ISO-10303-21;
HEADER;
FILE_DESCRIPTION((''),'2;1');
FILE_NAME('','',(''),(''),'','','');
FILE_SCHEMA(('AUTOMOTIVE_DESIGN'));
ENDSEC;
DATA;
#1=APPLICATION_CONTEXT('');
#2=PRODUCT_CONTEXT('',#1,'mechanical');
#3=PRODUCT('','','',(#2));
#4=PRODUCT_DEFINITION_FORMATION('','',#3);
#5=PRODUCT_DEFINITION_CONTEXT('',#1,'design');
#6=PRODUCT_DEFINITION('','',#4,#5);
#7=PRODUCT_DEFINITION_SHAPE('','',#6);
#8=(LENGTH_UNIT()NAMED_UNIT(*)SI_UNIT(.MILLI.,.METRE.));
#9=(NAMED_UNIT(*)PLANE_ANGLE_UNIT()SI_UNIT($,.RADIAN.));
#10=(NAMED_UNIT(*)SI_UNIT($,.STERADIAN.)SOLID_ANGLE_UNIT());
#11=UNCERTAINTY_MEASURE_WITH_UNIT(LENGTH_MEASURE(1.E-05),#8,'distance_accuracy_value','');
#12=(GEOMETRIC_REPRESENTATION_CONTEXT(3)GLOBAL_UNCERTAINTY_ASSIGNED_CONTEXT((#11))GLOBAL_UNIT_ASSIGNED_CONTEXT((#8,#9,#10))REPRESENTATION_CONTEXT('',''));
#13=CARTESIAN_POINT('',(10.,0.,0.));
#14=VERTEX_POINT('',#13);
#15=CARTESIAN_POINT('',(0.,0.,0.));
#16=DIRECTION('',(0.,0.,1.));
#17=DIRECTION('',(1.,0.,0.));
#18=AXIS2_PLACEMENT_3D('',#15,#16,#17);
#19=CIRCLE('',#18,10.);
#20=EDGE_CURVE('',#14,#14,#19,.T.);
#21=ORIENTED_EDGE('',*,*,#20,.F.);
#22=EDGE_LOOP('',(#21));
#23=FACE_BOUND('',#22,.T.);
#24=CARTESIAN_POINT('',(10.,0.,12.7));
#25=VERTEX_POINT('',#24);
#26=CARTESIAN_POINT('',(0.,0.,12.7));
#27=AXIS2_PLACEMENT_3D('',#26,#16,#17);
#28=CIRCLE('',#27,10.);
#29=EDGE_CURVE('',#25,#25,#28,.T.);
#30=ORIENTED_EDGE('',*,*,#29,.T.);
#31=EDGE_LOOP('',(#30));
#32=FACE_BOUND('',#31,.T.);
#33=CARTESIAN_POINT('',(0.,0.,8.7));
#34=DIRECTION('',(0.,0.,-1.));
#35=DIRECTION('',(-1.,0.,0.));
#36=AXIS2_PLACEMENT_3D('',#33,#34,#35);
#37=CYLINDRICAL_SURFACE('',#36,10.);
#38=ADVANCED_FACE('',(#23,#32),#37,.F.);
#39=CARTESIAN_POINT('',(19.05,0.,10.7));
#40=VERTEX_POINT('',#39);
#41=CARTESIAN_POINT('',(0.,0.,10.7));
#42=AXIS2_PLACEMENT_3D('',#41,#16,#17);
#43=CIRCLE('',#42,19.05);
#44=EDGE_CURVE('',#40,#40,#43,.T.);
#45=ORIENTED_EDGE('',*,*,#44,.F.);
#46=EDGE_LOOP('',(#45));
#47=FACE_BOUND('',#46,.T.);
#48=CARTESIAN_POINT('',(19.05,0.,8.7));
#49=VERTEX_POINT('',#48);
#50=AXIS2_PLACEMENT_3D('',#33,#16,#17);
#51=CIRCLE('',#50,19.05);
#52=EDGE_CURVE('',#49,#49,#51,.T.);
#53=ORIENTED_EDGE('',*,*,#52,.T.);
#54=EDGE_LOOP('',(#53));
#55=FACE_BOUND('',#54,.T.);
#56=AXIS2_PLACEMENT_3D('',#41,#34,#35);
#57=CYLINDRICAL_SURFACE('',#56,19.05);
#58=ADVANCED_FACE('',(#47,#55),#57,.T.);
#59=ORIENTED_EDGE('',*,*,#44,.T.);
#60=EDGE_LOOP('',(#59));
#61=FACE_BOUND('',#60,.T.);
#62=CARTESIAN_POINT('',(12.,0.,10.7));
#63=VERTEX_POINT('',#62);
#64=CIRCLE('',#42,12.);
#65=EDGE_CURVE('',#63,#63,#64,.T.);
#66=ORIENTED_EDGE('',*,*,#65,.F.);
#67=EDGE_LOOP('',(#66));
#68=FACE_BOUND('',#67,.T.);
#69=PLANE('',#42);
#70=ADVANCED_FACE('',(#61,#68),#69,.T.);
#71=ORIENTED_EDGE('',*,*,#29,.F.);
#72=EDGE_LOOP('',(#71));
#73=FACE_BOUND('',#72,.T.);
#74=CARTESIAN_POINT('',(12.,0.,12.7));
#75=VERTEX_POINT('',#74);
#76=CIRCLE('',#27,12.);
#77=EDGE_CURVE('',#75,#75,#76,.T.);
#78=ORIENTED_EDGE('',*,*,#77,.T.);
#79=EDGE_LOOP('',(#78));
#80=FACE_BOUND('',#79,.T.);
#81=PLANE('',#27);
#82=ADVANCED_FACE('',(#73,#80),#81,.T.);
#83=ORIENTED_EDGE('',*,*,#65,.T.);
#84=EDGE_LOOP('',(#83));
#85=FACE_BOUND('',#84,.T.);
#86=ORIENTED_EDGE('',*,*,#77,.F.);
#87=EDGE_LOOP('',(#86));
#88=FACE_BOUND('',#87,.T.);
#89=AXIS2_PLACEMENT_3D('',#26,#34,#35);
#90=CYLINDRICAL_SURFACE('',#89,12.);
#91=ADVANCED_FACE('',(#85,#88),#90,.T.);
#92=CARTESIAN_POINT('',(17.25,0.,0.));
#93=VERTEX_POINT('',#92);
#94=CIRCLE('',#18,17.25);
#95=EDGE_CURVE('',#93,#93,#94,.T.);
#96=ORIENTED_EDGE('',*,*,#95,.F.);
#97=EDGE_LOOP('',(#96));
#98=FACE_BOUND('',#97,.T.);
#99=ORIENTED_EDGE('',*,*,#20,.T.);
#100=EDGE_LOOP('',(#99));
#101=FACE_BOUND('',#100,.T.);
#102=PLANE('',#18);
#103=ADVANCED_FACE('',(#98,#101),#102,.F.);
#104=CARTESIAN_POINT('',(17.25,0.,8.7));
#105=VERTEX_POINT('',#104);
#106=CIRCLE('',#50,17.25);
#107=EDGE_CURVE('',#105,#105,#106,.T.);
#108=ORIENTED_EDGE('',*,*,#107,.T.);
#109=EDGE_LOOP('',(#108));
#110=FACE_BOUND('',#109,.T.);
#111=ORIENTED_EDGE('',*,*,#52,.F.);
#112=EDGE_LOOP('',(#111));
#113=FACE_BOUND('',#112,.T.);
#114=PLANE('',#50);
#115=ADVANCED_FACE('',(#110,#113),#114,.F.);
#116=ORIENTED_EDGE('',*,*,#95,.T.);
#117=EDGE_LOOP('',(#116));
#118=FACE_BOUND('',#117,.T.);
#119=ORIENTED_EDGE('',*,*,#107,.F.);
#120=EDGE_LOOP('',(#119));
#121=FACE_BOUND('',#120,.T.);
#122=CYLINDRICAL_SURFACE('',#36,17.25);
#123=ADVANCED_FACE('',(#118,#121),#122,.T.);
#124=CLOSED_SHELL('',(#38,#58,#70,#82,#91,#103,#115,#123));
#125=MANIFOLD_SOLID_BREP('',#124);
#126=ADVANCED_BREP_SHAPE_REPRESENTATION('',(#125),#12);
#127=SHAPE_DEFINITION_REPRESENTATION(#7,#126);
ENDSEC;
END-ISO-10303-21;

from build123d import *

# Parameters (mm, degrees)
SKETCH1_R           = 17.25
SKETCH1_R_2         = 10
BOSS_EXTRUDE1_DEPTH = 8.7
SKETCH2_R           = 19.05
SKETCH2_R_2         = 10
BOSS_EXTRUDE2_DEPTH = 2
SKETCH3_R           = 12
SKETCH3_R_2         = 10
BOSS_EXTRUDE3_DEPTH = 2


with BuildPart() as part:
    # Sketch1 → Boss-Extrude1 (new body)
    with BuildSketch(Plane.XY):
        Circle(SKETCH1_R)
        Circle(SKETCH1_R_2, mode=Mode.SUBTRACT)
    extrude(amount=BOSS_EXTRUDE1_DEPTH)

    # Sketch2 → Boss-Extrude2 (add)
    with BuildSketch(Plane.XY.offset(8.7)):
        Circle(SKETCH2_R)
        Circle(SKETCH2_R_2, mode=Mode.SUBTRACT)
    extrude(amount=BOSS_EXTRUDE2_DEPTH)

    # Sketch3 → Boss-Extrude3 (add)
    with BuildSketch(Plane.XY.offset(10.7)):
        Circle(SKETCH3_R)
        Circle(SKETCH3_R_2, mode=Mode.SUBTRACT)
    extrude(amount=BOSS_EXTRUDE3_DEPTH)


solid = part.part
